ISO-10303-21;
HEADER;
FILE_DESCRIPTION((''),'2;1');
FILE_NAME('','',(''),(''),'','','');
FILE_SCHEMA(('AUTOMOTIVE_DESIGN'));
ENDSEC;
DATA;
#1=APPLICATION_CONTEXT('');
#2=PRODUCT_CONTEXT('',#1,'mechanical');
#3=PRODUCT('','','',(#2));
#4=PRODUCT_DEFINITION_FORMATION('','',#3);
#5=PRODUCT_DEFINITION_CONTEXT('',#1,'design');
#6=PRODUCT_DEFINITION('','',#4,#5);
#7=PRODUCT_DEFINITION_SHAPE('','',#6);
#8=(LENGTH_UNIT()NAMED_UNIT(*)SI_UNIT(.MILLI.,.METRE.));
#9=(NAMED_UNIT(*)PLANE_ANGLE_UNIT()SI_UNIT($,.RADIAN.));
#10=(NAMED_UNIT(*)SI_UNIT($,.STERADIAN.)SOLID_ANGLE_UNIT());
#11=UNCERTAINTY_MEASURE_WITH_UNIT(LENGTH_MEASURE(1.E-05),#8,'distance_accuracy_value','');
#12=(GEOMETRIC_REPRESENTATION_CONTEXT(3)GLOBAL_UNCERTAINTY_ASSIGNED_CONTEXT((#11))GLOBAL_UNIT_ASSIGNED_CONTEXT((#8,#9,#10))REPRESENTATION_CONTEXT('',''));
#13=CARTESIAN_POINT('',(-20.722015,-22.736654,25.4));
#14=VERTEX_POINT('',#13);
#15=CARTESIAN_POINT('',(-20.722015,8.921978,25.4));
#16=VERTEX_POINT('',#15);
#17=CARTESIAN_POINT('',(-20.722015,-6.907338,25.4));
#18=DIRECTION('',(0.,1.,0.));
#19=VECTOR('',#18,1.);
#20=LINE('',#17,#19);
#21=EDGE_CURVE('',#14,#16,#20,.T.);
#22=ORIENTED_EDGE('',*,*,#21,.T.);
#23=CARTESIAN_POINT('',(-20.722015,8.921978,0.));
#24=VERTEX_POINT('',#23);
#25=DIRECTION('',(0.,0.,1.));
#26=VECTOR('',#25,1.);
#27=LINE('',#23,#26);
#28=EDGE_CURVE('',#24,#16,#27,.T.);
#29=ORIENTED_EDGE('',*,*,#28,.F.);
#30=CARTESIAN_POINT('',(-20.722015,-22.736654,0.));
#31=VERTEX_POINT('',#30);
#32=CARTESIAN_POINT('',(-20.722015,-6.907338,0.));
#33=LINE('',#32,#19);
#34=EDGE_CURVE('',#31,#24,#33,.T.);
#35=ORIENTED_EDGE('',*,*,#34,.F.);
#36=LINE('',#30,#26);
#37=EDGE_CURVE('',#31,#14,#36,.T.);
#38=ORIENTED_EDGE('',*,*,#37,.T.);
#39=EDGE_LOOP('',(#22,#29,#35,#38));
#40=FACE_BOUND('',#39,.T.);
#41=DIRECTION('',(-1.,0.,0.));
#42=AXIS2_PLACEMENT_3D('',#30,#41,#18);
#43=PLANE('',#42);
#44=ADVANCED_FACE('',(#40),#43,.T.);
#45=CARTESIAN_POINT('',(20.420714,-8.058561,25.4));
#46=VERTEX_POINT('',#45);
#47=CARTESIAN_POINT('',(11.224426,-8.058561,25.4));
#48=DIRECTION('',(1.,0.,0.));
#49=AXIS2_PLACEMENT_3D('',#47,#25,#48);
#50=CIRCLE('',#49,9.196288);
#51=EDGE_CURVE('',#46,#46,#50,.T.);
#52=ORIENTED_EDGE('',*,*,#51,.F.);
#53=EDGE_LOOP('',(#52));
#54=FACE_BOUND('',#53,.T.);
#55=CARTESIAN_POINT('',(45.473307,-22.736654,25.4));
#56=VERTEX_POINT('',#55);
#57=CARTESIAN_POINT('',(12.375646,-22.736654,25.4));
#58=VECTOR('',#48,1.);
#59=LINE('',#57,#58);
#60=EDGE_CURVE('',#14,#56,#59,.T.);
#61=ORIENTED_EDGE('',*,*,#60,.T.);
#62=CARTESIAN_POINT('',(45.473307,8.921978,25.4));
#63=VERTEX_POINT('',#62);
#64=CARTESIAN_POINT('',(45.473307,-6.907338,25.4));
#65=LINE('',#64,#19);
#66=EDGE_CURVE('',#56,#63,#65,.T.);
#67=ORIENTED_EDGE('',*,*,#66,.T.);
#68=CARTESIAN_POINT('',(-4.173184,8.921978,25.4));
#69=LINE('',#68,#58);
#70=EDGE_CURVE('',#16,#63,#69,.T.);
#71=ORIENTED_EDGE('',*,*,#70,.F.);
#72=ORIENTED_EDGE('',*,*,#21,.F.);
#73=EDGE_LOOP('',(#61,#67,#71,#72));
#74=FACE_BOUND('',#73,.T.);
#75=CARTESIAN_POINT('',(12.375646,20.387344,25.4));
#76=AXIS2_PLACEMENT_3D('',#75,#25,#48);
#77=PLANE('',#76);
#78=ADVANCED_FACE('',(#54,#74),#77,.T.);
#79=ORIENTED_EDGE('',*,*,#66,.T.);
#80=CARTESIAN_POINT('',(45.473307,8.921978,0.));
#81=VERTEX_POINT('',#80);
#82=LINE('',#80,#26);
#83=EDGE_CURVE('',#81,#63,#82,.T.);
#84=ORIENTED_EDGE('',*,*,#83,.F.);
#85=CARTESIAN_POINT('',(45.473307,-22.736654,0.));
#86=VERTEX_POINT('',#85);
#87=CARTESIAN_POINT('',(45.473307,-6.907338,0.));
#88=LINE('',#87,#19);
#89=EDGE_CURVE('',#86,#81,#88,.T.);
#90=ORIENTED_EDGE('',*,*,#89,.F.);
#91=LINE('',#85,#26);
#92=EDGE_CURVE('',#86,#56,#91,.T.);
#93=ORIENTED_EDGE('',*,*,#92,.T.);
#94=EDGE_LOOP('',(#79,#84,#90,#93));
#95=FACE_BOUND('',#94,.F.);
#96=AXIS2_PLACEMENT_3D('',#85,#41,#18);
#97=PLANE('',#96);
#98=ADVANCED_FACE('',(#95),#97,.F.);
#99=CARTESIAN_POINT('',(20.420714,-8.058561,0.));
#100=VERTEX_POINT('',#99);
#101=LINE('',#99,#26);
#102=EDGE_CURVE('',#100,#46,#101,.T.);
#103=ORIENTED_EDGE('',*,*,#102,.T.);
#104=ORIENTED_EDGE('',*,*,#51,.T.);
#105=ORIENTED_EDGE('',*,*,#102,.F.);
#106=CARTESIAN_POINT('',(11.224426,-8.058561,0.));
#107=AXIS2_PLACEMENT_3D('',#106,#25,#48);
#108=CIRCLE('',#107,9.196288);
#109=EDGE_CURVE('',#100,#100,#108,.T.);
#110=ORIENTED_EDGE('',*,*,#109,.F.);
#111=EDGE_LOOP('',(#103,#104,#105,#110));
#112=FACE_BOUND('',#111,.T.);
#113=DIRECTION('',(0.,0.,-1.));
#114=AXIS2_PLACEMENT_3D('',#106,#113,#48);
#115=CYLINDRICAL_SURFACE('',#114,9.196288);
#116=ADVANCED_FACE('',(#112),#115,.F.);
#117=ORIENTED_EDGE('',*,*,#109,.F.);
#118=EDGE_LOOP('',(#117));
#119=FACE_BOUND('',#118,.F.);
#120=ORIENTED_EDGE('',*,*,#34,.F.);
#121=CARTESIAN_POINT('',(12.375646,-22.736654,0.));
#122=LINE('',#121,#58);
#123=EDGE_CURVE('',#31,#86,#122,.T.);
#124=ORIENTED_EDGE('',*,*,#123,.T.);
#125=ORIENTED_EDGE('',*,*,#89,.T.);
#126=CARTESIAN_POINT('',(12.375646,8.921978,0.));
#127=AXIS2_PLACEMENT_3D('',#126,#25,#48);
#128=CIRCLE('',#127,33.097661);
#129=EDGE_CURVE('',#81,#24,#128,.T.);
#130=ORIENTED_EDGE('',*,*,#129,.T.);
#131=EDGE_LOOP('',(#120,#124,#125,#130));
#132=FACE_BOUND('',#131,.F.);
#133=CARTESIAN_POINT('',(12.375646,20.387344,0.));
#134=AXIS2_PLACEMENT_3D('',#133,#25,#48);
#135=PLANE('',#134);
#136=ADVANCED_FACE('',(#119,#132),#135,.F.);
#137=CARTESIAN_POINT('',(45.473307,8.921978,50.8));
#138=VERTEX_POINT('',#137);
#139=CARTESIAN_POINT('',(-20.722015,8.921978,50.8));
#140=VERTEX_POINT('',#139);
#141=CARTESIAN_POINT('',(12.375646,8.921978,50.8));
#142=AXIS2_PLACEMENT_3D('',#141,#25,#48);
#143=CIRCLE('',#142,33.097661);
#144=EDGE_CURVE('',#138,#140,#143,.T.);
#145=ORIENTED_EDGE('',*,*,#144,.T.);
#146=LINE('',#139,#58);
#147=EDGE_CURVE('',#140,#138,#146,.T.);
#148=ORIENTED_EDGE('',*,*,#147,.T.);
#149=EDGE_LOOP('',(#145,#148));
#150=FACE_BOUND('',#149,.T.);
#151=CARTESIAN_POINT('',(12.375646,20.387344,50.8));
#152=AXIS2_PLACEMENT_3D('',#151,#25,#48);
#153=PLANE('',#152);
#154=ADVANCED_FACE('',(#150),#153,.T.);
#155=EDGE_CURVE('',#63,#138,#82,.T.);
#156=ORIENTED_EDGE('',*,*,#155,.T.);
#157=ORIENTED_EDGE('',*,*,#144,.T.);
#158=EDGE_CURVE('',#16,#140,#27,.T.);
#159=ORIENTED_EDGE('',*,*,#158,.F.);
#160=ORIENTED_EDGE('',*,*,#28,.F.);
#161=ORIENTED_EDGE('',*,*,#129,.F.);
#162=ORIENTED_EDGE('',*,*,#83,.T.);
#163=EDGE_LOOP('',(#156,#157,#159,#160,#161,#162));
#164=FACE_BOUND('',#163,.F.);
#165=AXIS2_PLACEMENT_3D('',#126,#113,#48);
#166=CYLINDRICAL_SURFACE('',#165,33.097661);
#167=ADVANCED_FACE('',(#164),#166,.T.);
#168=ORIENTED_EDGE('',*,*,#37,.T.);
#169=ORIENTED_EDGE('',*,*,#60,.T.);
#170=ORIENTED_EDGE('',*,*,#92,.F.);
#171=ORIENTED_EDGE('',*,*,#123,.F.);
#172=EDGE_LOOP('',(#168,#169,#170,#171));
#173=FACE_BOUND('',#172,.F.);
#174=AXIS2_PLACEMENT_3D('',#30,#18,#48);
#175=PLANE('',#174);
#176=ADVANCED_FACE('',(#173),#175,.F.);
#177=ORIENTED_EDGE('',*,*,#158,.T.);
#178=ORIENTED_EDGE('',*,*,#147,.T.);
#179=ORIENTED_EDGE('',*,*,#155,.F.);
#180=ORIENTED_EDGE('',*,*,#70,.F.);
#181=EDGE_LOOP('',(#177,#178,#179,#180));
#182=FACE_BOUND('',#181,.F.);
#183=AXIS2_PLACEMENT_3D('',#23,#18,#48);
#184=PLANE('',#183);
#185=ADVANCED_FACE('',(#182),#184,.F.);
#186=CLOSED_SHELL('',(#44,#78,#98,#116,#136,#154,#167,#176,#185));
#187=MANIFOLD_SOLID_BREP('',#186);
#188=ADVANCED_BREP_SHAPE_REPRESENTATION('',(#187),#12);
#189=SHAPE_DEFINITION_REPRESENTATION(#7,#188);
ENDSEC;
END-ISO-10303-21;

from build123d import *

# Parameters (mm, degrees)
F1_DEPTH = 50.8
F0_W     = 66.195322
F0_H     = 31.658632
F0_R     = 9.196288
F2_DEPTH = 25.4


with BuildPart() as f1:
    # F0 (on Top) → F1 (new body)
    with BuildSketch(Plane.XY):
        with BuildLine():
            ThreePointArc((45.473307, 8.921978), (12.375646, 42.019639), (-20.722015, 8.921978))
            Line((-20.722015, 8.921978), (45.473307, 8.921978))
        make_face()
    extrude(amount=F1_DEPTH)

    # F0 (on Top) → F2 (join)
    with BuildSketch(Plane.XY):
        with BuildLine():
            ThreePointArc((45.473307, 8.921978), (12.375646, 42.019639), (-20.722015, 8.921978))
            Line((-20.722015, 8.921978), (45.473307, 8.921978))
        make_face()
        with Locations((12.375646, -6.907338)):
            Rectangle(F0_W, F0_H)
        with Locations((11.224426, -8.058561)):
            Circle(F0_R, mode=Mode.SUBTRACT)
    extrude(amount=F2_DEPTH)


solid = f1.part
